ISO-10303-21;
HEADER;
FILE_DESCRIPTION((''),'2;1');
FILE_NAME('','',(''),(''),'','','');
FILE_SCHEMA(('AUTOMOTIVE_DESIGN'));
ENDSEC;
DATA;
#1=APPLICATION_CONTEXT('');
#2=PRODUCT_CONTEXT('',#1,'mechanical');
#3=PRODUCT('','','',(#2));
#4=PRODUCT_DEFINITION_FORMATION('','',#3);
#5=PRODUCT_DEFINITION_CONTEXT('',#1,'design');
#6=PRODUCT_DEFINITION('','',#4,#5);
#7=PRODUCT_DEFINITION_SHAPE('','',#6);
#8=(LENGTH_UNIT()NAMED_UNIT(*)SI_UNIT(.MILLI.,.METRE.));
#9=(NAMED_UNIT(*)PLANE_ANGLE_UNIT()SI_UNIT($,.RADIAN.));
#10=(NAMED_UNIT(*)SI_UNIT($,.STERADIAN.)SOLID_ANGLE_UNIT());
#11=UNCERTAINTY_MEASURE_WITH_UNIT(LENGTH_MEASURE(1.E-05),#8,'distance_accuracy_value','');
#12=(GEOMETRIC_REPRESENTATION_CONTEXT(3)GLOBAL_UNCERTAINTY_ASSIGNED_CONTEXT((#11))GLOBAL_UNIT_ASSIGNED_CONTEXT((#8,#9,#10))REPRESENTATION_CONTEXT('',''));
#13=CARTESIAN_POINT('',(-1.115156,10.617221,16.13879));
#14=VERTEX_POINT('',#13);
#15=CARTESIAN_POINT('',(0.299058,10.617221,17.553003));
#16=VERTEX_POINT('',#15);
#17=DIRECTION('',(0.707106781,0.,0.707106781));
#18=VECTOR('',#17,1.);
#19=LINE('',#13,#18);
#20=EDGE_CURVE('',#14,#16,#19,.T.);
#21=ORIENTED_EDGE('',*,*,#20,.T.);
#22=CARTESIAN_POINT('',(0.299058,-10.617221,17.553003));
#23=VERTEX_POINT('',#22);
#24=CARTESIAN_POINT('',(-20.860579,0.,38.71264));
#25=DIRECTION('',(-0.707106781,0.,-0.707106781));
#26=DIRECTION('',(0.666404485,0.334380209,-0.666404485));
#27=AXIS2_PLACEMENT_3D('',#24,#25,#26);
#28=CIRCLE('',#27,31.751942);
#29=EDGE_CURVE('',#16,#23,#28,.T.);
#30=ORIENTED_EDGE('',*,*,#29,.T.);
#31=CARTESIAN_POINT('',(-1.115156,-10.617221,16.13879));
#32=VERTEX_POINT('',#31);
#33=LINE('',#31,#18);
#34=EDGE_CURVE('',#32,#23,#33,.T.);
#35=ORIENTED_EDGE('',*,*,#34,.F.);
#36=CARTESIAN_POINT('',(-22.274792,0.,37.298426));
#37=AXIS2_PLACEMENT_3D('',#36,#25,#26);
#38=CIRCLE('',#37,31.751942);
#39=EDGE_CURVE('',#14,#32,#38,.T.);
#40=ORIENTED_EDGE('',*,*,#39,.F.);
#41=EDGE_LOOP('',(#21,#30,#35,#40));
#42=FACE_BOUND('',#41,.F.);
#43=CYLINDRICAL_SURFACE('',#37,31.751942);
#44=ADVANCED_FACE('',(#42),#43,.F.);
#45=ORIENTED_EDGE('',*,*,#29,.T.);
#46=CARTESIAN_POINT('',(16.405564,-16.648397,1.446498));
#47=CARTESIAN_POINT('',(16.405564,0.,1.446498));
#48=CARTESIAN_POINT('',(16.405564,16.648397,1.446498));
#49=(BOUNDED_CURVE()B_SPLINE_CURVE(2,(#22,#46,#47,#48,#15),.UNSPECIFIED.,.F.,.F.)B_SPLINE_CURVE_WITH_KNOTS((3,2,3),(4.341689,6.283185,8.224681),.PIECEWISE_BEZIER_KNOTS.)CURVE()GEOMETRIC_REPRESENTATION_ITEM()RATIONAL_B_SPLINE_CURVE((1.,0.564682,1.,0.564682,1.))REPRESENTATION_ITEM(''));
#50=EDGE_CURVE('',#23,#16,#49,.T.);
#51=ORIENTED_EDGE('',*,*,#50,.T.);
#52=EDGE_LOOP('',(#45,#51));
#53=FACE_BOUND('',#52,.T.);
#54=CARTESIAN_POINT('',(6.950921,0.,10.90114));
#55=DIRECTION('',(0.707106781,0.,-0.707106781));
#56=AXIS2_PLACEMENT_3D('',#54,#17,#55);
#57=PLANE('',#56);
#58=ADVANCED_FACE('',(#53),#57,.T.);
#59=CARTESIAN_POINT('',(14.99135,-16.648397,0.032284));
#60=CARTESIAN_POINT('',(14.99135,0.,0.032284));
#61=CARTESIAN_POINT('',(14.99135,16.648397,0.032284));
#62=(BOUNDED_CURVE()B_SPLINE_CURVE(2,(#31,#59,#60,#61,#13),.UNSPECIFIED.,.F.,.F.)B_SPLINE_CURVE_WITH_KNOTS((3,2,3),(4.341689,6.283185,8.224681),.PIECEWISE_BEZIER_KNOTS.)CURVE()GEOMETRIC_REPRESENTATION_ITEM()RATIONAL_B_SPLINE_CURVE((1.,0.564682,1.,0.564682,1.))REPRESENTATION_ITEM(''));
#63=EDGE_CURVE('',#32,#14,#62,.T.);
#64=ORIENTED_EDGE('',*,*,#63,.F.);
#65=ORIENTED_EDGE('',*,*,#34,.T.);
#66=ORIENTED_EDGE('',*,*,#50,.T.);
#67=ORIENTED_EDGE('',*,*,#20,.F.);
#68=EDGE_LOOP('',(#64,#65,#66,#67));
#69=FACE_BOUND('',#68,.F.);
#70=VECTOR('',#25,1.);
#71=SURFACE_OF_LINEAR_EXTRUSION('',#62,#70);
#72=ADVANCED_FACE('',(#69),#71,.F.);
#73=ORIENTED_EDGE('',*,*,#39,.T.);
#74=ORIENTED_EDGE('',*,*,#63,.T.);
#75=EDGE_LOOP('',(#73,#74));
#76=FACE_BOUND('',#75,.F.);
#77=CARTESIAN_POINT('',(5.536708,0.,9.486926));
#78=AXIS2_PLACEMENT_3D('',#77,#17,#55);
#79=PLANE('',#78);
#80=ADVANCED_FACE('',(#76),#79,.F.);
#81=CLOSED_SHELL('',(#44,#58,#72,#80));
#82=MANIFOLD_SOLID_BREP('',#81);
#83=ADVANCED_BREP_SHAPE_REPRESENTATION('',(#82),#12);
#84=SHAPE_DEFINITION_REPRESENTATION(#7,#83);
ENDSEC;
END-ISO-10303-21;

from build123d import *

# Parameters (mm, degrees)
F2_W     = 51.1
F2_H     = 70
F5_DEPTH = 25
F8_DEPTH = 2


with BuildPart() as f1:
    # F0 (on Front) → F1 (revolve)
    with BuildSketch(Plane.XZ):
        Polygon((-18, 0), (-15, 0), (0, 55.980762), (0, 67.176915), align=None)
    revolve(axis=Axis((0, 0, -5.671357), (0, 0, -1)))

    # F2 (on Front) → F3 (revolve, cut)
    with BuildSketch(Plane.XZ):
        with Locations((-25.55, 35)):
            Rectangle(F2_W, F2_H)
    revolve(axis=Axis((-51.1, 0, 35), (0, 0, 1)), mode=Mode.SUBTRACT)


with BuildPart() as f5:
    # F4 (on Front) → F5 (new body, symmetric)
    with BuildSketch(Plane.XZ):
        Polygon((-5.680286, 19.289707), (13.60942, 0), (15.023634, 0), (-4.97318, 19.996813), align=None)
    extrude(amount=F5_DEPTH, both=True)

    # F6: cut F1
    add(f1.part, mode=Mode.SUBTRACT)


with BuildPart() as f8:
    # F7 (on face) → F8 (new body)
    with BuildSketch(Plane(origin=(7.511817, 0, 7.511817), x_dir=(0.707107, 0, -0.707107), z_dir=(0.707107, 0, 0.707107))):
        with BuildLine():
            ThreePointArc((-12.200382, 10.617221), (-10.372685, 0), (-12.200382, -10.617221))
            add(Edge.make_bspline(
                [(-12.200382, -10.617221), (10.577657, -16.648397), (10.577657, 0), (10.577657, 16.648397), (-12.200382, 10.617221)],
                knots=[4.341689, 4.341689, 4.341689, 6.283185, 6.283185, 8.224681, 8.224681, 8.224681], degree=2, weights=[1, 0.564682, 1, 0.564682, 1]))
        make_face()
    extrude(amount=F8_DEPTH)


solid = f8.part
